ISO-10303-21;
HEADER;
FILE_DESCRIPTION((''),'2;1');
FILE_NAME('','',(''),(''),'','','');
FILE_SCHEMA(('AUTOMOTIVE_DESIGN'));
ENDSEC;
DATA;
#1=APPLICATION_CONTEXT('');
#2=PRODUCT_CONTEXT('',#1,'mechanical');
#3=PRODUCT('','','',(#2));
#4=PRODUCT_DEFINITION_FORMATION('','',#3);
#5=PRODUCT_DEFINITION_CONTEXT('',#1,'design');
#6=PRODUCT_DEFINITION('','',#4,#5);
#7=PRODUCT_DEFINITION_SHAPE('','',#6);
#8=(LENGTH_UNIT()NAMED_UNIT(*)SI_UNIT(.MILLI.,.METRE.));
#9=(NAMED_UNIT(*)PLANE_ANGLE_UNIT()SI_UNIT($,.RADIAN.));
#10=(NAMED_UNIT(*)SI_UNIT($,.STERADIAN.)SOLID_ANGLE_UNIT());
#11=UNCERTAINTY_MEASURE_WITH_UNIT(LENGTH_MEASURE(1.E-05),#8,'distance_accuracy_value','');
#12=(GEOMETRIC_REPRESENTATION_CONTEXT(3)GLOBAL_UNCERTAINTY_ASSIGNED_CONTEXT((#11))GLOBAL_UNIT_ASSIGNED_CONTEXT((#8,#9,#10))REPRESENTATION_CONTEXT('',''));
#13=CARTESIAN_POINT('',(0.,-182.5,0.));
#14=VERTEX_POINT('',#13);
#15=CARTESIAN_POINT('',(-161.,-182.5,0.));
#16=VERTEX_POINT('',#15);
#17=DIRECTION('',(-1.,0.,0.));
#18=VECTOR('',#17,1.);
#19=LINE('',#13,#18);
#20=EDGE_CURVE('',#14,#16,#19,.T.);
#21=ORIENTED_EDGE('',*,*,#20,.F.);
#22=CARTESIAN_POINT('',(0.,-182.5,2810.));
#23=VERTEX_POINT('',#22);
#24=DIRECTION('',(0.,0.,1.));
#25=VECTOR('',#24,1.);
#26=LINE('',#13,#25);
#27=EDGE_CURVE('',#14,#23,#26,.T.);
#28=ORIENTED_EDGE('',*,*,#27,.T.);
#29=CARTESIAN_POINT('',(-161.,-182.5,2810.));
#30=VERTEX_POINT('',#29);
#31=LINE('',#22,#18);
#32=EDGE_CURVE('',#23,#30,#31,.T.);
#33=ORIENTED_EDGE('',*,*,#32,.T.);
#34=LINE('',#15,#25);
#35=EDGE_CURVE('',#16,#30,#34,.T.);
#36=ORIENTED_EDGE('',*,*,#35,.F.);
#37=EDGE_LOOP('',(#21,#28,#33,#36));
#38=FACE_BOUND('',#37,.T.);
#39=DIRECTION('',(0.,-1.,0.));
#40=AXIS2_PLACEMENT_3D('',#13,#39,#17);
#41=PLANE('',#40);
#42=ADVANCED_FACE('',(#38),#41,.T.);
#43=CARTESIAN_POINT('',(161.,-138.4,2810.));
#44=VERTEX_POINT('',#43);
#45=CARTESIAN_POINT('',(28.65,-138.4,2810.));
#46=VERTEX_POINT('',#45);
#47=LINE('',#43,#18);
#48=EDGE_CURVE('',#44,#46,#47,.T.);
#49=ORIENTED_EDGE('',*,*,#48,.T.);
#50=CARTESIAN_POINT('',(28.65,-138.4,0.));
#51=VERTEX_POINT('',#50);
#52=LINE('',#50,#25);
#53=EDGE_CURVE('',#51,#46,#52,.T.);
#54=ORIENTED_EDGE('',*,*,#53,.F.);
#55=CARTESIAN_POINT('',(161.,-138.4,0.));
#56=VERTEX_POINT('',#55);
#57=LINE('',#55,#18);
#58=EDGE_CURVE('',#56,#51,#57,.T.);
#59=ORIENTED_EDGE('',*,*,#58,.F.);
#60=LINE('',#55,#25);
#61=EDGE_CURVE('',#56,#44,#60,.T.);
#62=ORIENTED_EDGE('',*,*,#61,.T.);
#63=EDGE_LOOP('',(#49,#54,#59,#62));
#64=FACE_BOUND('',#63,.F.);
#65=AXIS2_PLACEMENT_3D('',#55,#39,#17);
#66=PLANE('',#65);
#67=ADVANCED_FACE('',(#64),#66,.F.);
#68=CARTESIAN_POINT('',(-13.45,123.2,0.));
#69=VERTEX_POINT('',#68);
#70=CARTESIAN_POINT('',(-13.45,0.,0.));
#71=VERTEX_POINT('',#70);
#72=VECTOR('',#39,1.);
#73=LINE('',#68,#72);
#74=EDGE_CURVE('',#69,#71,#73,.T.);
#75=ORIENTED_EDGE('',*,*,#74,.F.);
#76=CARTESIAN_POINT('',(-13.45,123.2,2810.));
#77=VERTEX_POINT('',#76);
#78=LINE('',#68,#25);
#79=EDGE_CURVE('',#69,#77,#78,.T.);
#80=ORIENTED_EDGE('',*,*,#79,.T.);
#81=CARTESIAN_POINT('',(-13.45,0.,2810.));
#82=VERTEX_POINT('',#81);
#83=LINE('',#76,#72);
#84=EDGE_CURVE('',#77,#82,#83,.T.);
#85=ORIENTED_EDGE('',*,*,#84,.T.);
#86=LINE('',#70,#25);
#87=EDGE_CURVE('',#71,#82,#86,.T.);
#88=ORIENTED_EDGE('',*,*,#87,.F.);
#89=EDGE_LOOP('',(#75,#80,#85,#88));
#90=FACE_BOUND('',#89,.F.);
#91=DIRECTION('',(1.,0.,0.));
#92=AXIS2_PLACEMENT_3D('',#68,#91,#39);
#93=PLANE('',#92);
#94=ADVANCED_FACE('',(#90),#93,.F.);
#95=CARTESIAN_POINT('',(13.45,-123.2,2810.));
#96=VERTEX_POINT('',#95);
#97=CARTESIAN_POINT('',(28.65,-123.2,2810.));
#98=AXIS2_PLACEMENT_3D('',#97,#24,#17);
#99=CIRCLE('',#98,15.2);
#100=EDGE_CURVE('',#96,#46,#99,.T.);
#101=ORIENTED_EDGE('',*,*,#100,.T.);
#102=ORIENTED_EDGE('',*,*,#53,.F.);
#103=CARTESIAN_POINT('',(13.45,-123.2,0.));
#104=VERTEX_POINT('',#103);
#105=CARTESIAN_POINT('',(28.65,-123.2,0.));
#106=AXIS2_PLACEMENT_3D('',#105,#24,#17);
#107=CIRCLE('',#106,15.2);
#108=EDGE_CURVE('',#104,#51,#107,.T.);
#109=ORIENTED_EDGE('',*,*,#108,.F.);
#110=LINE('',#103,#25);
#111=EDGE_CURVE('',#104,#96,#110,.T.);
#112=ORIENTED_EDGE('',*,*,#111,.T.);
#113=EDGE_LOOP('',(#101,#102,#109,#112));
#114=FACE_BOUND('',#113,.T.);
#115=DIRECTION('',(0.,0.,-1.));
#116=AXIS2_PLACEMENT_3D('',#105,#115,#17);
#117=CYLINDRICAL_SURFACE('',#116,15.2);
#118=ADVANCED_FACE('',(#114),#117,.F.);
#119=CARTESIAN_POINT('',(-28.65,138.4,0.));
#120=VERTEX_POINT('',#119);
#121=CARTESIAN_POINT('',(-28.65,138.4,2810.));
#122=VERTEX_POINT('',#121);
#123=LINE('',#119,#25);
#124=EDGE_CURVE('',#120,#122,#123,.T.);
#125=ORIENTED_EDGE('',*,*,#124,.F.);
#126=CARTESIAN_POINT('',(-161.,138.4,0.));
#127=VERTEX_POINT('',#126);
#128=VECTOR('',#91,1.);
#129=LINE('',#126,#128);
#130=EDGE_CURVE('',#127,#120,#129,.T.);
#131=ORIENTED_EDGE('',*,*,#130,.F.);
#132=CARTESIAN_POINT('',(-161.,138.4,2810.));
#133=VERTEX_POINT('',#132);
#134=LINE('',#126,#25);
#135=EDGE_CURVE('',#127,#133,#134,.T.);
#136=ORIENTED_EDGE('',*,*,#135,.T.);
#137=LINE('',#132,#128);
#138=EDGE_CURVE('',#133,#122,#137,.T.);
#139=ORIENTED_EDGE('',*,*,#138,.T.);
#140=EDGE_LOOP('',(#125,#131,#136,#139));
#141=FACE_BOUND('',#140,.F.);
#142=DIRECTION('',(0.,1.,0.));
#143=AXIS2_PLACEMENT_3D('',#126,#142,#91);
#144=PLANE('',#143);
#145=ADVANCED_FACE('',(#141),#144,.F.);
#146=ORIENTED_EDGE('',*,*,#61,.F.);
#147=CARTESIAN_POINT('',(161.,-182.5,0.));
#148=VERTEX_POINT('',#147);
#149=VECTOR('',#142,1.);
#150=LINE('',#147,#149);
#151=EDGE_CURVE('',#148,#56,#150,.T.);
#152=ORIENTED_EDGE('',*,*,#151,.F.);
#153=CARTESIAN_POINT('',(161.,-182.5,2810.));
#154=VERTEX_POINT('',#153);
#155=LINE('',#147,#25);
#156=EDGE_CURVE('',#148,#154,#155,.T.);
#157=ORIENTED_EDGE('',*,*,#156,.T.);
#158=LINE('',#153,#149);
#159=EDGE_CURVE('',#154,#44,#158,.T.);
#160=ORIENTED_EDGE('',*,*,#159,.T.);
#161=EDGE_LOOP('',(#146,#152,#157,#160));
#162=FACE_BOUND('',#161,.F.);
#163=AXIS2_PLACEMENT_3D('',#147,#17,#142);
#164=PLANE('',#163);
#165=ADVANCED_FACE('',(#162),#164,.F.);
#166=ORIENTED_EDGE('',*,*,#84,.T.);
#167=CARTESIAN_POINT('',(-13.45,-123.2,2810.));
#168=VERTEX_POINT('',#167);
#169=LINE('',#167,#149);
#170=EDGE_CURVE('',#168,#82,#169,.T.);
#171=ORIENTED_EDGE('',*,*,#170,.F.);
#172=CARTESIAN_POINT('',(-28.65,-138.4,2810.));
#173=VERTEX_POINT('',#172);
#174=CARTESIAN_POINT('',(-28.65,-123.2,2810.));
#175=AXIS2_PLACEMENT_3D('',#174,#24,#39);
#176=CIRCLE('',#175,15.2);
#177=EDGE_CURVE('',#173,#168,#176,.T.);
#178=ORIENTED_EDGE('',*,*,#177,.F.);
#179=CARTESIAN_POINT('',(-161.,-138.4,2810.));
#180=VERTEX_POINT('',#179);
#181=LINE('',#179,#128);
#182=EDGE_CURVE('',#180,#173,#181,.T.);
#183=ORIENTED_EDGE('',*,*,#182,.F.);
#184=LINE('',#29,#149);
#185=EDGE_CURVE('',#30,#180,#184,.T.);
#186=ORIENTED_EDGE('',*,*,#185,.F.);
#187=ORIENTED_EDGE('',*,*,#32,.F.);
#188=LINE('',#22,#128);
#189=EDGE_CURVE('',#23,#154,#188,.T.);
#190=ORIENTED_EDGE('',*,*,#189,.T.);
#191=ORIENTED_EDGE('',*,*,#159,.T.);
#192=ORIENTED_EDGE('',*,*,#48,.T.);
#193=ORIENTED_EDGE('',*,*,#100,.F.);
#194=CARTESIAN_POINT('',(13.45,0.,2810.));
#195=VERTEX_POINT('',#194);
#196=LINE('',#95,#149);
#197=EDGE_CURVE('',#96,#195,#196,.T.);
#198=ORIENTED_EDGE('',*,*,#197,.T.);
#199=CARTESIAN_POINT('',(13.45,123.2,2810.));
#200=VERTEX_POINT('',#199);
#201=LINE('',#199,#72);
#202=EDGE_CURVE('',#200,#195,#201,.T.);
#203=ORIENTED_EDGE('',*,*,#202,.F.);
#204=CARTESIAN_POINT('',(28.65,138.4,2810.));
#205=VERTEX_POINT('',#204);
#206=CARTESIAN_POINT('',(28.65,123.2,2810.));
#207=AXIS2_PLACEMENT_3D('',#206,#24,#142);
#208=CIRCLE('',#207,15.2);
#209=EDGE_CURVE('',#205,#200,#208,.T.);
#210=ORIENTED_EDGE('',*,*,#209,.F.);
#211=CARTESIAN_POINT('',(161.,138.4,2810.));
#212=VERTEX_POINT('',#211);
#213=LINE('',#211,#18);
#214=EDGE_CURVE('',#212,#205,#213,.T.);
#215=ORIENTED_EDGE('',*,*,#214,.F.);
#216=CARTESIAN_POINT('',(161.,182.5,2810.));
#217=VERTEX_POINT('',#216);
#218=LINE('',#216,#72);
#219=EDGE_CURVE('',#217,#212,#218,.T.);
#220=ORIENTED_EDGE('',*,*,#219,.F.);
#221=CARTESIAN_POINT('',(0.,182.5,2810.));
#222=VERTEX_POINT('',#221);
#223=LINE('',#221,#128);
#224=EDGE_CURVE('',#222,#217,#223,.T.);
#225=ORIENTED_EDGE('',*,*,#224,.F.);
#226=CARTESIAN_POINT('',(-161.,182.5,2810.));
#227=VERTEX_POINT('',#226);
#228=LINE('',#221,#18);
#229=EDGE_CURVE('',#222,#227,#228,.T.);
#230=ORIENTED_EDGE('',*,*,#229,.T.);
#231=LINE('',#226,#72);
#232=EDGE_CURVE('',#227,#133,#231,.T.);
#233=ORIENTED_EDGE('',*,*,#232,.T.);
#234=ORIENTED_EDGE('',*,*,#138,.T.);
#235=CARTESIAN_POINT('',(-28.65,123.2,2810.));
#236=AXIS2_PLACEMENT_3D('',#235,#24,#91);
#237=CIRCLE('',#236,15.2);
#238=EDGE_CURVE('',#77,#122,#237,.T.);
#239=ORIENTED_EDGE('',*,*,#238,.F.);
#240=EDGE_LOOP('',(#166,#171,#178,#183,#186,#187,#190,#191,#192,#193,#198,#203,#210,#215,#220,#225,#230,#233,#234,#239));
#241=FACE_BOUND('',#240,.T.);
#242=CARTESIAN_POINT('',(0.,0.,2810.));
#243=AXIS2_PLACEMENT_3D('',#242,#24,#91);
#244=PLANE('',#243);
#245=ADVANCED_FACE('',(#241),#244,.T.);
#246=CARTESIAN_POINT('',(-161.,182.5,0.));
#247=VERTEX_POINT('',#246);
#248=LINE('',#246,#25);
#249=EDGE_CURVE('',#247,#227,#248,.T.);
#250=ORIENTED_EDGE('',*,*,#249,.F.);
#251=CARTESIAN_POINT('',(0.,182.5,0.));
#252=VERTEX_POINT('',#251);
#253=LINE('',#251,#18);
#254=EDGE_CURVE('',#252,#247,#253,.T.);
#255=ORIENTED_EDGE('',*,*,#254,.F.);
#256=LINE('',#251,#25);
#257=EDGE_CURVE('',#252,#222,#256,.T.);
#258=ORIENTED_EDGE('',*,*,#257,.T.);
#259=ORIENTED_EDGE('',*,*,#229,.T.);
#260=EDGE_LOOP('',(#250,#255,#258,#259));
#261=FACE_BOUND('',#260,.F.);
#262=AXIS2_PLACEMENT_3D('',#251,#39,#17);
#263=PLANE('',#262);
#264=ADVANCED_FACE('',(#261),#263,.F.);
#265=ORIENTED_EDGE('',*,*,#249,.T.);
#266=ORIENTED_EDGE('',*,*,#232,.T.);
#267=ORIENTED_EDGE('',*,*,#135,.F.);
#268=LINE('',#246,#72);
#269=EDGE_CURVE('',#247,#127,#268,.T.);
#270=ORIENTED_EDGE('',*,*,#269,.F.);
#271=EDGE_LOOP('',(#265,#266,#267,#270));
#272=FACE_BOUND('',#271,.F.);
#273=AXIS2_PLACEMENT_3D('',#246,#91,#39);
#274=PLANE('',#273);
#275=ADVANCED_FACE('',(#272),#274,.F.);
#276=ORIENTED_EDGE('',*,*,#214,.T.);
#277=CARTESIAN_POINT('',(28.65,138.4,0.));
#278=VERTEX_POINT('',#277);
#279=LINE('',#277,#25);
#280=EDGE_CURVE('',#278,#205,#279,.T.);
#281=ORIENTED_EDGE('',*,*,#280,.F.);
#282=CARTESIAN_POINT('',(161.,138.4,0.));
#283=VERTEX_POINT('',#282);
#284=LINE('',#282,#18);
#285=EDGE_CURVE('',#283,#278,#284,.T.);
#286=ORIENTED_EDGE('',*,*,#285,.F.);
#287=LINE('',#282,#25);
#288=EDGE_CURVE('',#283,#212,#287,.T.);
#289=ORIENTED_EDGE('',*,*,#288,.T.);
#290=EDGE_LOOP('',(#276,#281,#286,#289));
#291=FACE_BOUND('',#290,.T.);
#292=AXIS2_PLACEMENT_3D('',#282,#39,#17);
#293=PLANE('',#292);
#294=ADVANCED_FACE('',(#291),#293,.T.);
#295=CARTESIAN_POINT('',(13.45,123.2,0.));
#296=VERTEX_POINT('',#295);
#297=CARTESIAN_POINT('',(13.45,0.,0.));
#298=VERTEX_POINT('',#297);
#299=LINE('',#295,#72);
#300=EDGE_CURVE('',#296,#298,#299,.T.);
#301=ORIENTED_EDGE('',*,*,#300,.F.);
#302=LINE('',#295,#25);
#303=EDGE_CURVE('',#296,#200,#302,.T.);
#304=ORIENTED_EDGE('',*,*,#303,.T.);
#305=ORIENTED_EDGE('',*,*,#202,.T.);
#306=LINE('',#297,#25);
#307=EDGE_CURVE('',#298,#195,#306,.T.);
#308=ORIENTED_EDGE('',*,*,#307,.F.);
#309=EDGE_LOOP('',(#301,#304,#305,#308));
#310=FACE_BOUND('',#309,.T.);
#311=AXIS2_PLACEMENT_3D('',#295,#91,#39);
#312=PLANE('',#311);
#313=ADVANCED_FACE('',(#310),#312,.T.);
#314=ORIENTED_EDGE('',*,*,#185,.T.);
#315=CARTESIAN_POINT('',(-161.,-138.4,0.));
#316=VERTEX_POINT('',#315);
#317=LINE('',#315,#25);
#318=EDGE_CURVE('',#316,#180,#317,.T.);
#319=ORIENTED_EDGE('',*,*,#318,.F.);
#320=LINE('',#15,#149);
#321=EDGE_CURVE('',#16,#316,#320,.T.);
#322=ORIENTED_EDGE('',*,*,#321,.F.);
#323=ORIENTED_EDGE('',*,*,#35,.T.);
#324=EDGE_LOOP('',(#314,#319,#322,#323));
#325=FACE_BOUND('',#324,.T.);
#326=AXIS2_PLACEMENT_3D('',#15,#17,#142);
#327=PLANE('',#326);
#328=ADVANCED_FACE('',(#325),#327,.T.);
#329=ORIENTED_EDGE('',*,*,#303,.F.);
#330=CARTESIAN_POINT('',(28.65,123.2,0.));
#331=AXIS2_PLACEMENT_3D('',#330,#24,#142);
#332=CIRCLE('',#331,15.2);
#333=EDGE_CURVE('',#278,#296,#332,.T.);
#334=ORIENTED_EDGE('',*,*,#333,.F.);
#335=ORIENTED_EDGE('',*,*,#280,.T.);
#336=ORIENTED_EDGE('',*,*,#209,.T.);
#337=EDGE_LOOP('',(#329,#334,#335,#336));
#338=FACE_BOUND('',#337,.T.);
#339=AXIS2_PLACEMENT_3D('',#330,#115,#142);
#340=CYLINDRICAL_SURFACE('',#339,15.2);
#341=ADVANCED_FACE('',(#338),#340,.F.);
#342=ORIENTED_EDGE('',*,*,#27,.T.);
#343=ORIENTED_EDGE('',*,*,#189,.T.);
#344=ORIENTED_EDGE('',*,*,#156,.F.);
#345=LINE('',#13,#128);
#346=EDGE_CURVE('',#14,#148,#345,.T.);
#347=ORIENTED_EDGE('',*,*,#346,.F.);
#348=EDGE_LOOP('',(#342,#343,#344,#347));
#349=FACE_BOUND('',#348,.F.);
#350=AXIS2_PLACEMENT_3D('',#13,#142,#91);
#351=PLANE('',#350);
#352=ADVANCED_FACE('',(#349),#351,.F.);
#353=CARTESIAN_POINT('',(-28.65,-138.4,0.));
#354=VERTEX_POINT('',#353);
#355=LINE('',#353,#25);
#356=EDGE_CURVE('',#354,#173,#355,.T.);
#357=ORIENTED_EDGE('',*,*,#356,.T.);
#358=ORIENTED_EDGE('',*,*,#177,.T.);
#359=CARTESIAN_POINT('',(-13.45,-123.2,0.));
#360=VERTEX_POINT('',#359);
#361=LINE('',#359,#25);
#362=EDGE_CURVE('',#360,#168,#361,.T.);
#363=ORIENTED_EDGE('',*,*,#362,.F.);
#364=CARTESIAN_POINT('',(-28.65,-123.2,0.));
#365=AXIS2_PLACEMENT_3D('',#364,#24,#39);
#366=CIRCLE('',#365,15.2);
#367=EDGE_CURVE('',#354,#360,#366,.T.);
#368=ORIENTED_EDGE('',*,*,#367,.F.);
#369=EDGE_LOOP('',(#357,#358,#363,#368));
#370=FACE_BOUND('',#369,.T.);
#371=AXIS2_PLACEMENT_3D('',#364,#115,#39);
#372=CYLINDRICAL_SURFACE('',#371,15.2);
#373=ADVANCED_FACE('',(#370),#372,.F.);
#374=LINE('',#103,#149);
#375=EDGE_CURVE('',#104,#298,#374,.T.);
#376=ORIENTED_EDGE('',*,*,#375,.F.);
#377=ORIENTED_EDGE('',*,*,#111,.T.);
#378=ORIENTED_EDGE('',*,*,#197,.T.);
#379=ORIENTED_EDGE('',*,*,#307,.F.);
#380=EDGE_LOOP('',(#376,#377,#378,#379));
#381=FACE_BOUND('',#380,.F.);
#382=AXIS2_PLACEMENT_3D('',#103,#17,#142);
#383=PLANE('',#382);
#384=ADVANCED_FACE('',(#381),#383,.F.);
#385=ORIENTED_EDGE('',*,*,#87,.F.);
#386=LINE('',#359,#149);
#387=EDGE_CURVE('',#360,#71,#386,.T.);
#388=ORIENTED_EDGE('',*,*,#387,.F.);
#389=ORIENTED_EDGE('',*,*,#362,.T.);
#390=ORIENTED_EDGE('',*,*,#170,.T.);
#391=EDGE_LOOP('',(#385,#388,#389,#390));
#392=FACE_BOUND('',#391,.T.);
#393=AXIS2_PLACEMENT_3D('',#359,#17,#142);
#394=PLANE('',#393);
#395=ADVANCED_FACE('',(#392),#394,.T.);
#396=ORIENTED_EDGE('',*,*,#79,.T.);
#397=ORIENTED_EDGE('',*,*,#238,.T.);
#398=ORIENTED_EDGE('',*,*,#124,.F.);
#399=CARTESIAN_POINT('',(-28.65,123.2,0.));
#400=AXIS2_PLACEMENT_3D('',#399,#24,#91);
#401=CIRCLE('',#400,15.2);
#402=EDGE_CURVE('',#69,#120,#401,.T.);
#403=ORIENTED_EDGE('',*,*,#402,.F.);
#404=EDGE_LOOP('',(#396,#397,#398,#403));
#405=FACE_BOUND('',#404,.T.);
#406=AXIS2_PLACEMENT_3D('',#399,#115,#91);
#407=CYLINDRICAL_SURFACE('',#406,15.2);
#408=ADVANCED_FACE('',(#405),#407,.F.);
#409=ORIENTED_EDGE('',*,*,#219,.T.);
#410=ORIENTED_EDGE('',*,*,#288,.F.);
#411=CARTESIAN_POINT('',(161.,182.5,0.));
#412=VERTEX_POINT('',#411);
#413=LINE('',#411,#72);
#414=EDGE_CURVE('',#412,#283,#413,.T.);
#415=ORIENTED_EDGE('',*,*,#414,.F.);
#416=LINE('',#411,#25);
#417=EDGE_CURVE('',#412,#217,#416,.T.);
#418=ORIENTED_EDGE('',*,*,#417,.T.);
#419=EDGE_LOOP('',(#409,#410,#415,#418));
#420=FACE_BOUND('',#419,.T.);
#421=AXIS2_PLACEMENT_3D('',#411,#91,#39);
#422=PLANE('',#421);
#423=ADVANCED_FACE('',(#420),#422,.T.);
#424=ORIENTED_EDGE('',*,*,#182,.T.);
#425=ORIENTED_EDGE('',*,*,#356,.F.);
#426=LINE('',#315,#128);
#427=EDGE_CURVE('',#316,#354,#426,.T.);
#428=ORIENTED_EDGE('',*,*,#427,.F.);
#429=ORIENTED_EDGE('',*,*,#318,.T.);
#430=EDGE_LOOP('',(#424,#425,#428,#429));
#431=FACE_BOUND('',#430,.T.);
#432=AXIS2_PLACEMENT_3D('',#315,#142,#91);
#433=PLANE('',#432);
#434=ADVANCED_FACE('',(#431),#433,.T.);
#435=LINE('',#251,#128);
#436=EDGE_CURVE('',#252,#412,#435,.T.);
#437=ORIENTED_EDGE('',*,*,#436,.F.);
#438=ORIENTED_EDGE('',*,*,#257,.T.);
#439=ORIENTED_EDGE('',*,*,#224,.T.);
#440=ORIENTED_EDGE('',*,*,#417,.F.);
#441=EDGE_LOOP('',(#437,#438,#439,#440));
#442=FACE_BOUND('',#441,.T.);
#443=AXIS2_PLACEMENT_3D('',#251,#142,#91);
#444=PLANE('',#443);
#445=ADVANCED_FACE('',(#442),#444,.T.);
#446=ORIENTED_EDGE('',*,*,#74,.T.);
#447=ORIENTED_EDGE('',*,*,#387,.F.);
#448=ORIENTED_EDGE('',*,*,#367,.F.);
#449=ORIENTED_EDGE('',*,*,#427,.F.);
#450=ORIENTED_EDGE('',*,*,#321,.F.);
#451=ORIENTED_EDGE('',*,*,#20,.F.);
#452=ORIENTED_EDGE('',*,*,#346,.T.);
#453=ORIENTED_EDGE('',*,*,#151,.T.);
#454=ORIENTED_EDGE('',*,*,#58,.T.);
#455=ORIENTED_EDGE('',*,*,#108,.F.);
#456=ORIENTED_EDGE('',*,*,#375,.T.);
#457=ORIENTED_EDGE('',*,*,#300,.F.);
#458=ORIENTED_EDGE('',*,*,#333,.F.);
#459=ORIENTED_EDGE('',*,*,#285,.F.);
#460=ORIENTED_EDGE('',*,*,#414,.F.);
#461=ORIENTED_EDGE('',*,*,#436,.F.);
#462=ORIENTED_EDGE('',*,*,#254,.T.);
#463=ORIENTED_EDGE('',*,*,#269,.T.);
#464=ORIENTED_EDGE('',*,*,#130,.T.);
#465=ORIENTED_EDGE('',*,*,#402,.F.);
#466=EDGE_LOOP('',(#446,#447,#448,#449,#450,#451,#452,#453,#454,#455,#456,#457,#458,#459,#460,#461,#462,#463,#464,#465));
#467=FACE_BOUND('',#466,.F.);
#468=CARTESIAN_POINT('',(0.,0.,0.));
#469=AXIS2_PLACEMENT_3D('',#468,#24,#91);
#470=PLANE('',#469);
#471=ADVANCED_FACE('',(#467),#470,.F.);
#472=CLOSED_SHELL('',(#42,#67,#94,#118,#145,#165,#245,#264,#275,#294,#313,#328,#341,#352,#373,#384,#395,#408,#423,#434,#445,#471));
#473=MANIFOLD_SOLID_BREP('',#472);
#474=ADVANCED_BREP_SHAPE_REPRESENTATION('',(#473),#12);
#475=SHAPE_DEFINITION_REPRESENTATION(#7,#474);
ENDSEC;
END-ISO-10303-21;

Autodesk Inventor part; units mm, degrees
ref_plane "YZ Plane" through (0, 0, 0) normal (1, 0, 0) x (0, 1, 0)
ref_plane "Start plane" through (0, 0, 0) normal (0, 0, 1) x (1, 0, 0)
ref_plane "End plane" through (0, 0, 2810) normal (0, 0, 1) x (1, 0, 0)
sketch "Sketch" plane through (0, 0, 0) normal (0, 0, 1) x (1, 0, 0)
  line L0 (-161, -182.5) -> (-161, -138.4)
  line L1 (-161, -138.4) -> (-28.65, -138.4)
  line L2 (-13.45, -123.2) -> (-13.45, 0)
  line L3 (-13.45, 0) -> (0, 0) construction
  line L4 (0, 0) -> (0, -182.5) construction
  line L5 (0, -182.5) -> (-161, -182.5)
  line L6 (-60, 0) -> (80, 0) construction
  line L7 (0, -60) -> (0, 80) construction
  line L8 (161, -182.5) -> (161, -138.4)
  line L9 (161, -138.4) -> (28.65, -138.4)
  line L10 (13.45, -123.2) -> (13.45, 0)
  line L11 (13.45, 0) -> (0, 0) construction
  line L12 (0, -182.5) -> (161, -182.5)
  line L13 (-161, 182.5) -> (-161, 138.4)
  line L14 (-161, 138.4) -> (-28.65, 138.4)
  line L15 (-13.45, 123.2) -> (-13.45, 0)
  line L16 (0, 182.5) -> (-161, 182.5)
  line L17 (161, 182.5) -> (161, 138.4)
  line L18 (161, 138.4) -> (28.65, 138.4)
  line L19 (0, 182.5) -> (161, 182.5)
  line L20 (13.45, 123.2) -> (13.45, 0)
  arc A0 (-13.45, 123.2) -> (-28.65, 138.4) centre (-28.65, 123.2) ccw
  arc A1 (28.65, 138.4) -> (13.45, 123.2) centre (28.65, 123.2) ccw
  arc A2 (13.45, -123.2) -> (28.65, -138.4) centre (28.65, -123.2) ccw
  arc A3 (-28.65, -138.4) -> (-13.45, -123.2) centre (-28.65, -123.2) ccw
  line L21 (0, 108) -> (0, -88) construction
  line L22 (-88, 0) -> (108, 0) construction
  point P0 (-13.45, -138.4)
  point P1 (13.45, -138.4)
  point P2 (-13.45, 138.4)
  point P3 (13.45, 138.4)
  dimension "d1" = 182.5
  dimension "d2" = 44.1
  dimension "d3" = 161
  dimension "d4" = 13.45
  dimension "d10" = 15.2
extrude "Body" add sketch "Sketch" along normal up to surface (2810 mm away) from surface at 0
sketch "Sketch4" plane through (0, 0, 0) normal (0, 0, 1) x (1, 0, 0)
  line L0 (0, 0) -> (10, 0)
ref_plane "Work Plane3" through (0, 0, 0) normal (0, -1, 0) x (1, 0, 0)
sketch "Sketch5" plane through (0, 0, 0) normal (0, -1, 0) x (1, 0, 0)
  line L0 (-2, 0) -> (12, 0) projected
  line L1 (-2, 2810) -> (12, 2810) projected
  dimension "d14" = 2810
equation "\"d1\" = 0.5 * G_H"
equation "\"d2\" = G_T1"
equation "\"d3\" = 0.5 * G_W"
equation "\"d4\" = 0.5 * G_T"
equation "\"d10\" = G_IR"
equation "\"d5\" = G_L"
equation "\"G_W\" = 322"
equation "\"G_H\" = 365"
equation "\"G_T\" = 26.9"
equation "\"G_T1\" = 44.1"
equation "\"G_IR\" = 15.2"
equation "\"G_L\" = d14"
equation "\"G_OFFSET_START\" = 0"
equation "\"G_OFFSET_END\" = 0"
properties part number "AS 3679 - 310 UC - 283 - 2810" material "Steel, Mild"
